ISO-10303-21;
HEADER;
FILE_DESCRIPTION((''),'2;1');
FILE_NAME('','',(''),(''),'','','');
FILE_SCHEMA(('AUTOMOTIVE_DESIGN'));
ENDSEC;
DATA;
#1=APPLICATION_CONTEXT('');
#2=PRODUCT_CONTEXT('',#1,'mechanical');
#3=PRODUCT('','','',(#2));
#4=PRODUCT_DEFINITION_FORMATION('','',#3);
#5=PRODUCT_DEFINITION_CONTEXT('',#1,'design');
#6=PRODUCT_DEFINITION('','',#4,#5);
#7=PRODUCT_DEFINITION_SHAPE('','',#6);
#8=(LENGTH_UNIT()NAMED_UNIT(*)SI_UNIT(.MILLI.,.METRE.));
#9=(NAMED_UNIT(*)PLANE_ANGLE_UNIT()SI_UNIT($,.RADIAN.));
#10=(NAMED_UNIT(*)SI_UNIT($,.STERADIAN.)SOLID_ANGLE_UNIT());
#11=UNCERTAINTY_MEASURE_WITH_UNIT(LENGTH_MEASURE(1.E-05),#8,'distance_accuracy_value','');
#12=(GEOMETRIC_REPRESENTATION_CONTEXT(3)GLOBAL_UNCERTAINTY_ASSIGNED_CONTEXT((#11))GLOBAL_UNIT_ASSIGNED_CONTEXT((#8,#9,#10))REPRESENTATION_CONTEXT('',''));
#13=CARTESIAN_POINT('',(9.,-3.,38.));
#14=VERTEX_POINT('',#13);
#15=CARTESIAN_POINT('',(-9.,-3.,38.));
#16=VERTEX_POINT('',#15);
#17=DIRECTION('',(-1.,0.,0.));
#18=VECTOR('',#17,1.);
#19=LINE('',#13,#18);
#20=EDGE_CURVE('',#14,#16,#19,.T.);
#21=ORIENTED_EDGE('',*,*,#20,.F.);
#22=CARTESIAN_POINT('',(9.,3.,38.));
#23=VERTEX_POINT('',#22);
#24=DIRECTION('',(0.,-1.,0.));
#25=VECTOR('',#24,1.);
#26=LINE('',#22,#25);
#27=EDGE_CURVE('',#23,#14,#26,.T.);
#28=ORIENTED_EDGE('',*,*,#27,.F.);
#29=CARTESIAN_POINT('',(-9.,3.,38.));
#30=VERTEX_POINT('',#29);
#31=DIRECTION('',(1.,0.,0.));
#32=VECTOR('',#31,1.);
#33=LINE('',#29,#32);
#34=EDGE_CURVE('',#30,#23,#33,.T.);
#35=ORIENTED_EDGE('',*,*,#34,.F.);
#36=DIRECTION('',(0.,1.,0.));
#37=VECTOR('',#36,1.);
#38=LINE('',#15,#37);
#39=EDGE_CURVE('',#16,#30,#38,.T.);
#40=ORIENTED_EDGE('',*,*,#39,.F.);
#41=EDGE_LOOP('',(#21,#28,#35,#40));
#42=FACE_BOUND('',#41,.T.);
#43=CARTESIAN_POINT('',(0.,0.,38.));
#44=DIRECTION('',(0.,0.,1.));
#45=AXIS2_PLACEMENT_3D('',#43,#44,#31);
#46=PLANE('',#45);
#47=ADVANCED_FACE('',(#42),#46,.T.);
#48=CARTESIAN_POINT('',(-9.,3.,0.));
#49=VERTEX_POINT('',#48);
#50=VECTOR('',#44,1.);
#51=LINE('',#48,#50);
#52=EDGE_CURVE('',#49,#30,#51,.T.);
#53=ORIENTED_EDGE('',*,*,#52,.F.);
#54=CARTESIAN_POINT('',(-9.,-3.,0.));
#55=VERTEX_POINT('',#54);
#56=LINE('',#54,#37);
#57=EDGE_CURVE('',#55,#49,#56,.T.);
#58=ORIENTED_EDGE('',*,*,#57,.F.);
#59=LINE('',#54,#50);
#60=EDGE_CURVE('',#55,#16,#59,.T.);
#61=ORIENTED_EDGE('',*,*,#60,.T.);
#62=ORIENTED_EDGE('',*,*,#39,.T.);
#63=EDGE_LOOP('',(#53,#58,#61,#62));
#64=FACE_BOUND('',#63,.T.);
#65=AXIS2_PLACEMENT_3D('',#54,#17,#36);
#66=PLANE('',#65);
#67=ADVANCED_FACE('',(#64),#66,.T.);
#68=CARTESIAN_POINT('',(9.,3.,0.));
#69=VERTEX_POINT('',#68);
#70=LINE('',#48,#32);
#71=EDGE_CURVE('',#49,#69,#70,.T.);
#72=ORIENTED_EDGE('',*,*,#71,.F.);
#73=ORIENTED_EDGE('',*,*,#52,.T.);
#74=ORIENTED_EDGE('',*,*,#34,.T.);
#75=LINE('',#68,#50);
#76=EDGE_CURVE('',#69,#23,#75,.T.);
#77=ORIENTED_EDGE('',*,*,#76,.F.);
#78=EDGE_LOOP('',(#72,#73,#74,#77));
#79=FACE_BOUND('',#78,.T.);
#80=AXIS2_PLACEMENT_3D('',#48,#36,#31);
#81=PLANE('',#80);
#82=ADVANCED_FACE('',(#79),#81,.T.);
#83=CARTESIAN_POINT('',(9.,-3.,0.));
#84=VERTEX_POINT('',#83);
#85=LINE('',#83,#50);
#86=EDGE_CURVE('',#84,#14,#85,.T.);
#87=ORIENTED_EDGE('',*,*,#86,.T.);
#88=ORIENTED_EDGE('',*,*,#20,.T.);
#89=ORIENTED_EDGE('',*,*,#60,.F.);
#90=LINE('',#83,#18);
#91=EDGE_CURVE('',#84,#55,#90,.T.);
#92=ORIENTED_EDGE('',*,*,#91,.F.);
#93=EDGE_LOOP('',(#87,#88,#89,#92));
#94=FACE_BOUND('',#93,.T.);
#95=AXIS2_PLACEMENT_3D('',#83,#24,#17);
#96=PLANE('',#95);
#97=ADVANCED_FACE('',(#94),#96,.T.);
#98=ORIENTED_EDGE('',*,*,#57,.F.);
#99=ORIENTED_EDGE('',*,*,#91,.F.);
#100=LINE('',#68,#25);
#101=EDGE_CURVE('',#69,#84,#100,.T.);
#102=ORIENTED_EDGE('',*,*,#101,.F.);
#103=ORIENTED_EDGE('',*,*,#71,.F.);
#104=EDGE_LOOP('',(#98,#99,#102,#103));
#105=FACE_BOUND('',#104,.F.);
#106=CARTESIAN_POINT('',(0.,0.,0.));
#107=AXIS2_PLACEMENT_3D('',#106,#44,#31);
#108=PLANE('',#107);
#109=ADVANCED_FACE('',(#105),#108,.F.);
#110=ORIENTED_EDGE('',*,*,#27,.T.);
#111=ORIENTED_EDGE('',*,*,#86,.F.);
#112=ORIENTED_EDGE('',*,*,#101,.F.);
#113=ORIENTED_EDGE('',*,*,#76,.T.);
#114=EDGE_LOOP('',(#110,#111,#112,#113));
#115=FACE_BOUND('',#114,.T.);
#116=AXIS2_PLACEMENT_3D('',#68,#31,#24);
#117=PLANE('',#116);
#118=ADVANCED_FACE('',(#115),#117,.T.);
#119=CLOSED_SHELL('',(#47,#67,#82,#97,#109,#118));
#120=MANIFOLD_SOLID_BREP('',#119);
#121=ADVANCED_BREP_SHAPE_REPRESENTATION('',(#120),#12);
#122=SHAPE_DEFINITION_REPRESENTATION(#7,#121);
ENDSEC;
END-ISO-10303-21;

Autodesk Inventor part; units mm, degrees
ref_plane "XZ Plane" through (0, 0, 0) normal (0, 1, 0) x (-1, 0, 0)
ref_plane "XY Plane" through (0, 0, 0) normal (0, 0, 1) x (1, 0, 0)
sketch "Sketch1" plane through (0, 0, 0) normal (0, 0, 1) x (1, 0, 0)
  line L0 (-9, 3) -> (9, 3)
  line L1 (9, 3) -> (9, -3)
  line L2 (9, -3) -> (-9, -3)
  line L3 (-9, -3) -> (-9, 3)
  line L4 (-9, 3) -> (9, -3) construction
  line L5 (9, 3) -> (-9, -3) construction
  point P0 (0, 0)
  dimension "d0" = 18
  dimension "d1" = 6
extrude "Extrusion1" add sketch "Sketch1" along normal blind 38
properties part number "ESC"
